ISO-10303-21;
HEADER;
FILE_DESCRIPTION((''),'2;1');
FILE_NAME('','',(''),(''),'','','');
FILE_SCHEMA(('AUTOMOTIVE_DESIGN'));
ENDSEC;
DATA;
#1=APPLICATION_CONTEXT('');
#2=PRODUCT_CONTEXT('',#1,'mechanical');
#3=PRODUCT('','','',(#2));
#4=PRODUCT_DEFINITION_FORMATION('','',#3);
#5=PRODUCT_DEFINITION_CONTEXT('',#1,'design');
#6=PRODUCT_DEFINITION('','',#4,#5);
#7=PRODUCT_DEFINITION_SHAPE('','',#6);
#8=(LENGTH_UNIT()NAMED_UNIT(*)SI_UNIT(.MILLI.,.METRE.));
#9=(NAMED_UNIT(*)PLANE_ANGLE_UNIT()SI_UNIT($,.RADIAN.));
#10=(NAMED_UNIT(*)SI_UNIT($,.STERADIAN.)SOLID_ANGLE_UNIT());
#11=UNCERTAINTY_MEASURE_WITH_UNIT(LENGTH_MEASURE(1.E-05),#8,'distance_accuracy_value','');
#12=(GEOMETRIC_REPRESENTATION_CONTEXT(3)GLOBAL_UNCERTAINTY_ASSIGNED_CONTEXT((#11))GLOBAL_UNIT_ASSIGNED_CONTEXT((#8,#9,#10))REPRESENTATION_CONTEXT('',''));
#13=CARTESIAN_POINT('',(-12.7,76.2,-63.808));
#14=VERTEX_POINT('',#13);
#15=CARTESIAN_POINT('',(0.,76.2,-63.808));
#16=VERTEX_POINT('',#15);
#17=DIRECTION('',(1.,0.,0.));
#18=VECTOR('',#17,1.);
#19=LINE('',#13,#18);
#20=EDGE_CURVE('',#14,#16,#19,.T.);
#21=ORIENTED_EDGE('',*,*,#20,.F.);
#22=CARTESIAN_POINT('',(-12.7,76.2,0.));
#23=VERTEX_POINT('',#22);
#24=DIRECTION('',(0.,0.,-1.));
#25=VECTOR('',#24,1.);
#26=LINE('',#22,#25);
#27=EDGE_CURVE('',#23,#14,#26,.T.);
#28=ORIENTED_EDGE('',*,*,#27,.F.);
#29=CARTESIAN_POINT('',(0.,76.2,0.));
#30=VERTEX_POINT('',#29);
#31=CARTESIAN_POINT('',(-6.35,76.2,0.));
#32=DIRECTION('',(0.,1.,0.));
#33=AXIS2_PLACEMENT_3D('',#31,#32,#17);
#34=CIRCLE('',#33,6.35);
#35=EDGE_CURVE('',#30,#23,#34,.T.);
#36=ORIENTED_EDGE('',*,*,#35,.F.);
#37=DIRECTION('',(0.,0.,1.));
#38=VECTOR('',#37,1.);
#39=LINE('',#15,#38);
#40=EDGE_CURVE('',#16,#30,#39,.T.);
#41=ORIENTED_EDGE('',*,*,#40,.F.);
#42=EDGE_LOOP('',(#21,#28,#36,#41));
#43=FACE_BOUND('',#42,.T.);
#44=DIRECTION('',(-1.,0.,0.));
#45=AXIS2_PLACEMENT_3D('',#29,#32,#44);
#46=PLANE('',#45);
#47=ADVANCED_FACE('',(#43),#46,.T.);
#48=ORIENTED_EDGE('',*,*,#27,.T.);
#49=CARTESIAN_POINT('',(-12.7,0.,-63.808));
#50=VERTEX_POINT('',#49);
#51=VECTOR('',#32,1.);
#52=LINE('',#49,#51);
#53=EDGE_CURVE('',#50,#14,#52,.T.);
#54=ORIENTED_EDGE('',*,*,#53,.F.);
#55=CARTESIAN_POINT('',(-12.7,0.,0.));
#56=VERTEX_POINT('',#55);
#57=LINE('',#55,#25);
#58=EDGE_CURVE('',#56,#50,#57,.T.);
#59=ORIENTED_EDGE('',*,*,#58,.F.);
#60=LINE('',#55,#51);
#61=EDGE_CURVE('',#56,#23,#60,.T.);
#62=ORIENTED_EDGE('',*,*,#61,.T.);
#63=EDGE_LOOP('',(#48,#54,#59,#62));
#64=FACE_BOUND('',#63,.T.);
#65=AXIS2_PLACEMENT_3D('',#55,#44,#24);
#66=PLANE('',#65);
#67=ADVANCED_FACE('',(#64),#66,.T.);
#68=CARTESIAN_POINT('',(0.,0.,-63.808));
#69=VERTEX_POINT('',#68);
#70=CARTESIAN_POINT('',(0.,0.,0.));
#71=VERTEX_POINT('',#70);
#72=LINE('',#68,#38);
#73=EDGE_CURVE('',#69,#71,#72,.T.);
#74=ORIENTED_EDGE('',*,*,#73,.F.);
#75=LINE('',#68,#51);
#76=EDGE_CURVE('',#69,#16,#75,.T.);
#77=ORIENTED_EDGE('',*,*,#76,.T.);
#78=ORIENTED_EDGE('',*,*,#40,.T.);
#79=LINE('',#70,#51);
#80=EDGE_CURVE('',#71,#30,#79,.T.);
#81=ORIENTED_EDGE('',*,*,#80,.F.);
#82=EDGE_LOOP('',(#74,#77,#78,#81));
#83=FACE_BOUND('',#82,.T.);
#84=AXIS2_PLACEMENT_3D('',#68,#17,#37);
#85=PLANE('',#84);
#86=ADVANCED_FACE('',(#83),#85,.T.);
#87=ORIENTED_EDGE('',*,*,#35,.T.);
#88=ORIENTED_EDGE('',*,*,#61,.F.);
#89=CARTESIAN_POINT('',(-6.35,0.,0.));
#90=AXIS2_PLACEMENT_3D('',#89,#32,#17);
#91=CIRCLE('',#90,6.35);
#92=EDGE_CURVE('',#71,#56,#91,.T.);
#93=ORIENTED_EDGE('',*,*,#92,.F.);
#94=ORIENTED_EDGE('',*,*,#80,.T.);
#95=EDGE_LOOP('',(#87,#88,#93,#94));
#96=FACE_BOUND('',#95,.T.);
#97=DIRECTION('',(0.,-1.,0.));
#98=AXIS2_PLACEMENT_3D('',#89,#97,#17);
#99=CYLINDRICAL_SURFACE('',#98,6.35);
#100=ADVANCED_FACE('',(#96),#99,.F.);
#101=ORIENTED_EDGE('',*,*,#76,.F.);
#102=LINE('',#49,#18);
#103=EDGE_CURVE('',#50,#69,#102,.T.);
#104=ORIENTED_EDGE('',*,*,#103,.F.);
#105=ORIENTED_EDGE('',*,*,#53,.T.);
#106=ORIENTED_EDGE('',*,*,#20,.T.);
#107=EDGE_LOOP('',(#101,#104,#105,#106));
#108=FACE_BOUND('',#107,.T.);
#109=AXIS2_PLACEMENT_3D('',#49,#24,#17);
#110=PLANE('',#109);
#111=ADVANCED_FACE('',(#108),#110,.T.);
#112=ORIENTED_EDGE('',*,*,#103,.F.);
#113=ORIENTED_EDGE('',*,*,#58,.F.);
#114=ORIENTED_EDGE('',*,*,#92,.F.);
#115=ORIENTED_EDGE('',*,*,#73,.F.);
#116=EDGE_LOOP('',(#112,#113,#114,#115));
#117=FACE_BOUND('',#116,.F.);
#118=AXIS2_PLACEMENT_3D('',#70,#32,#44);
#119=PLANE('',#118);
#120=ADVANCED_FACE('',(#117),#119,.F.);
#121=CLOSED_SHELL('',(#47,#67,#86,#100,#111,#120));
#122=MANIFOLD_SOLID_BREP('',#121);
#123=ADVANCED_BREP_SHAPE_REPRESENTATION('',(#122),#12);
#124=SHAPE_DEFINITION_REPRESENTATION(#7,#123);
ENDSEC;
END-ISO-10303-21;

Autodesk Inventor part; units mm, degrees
ref_plane "YZ Plane" through (0, 0, 0) normal (1, 0, 0) x (0, 1, 0)
ref_plane "XZ Plane" through (0, 0, 0) normal (0, 1, 0) x (-1, 0, 0)
ref_plane "XY Plane" through (0, 0, 0) normal (0, 0, 1) x (1, 0, 0)
sketch "Sketch1" plane through (0, 0, 0) normal (0, 1, 0) x (-1, 0, 0)
  line L0 (12.7, 0) -> (12.7, -63.808)
  line L1 (12.7, -63.808) -> (0, -63.808)
  line L2 (0, -63.808) -> (0, 0)
  arc A0 (0, 0) -> (12.7, 0) centre (6.35, 0) ccw
  dimension "d0" = 6.35
  dimension "d1" = 12.7
extrude "Extrusion1" add sketch "Sketch1" along normal blind 76.2
properties part number "knuckle plate original mate"
